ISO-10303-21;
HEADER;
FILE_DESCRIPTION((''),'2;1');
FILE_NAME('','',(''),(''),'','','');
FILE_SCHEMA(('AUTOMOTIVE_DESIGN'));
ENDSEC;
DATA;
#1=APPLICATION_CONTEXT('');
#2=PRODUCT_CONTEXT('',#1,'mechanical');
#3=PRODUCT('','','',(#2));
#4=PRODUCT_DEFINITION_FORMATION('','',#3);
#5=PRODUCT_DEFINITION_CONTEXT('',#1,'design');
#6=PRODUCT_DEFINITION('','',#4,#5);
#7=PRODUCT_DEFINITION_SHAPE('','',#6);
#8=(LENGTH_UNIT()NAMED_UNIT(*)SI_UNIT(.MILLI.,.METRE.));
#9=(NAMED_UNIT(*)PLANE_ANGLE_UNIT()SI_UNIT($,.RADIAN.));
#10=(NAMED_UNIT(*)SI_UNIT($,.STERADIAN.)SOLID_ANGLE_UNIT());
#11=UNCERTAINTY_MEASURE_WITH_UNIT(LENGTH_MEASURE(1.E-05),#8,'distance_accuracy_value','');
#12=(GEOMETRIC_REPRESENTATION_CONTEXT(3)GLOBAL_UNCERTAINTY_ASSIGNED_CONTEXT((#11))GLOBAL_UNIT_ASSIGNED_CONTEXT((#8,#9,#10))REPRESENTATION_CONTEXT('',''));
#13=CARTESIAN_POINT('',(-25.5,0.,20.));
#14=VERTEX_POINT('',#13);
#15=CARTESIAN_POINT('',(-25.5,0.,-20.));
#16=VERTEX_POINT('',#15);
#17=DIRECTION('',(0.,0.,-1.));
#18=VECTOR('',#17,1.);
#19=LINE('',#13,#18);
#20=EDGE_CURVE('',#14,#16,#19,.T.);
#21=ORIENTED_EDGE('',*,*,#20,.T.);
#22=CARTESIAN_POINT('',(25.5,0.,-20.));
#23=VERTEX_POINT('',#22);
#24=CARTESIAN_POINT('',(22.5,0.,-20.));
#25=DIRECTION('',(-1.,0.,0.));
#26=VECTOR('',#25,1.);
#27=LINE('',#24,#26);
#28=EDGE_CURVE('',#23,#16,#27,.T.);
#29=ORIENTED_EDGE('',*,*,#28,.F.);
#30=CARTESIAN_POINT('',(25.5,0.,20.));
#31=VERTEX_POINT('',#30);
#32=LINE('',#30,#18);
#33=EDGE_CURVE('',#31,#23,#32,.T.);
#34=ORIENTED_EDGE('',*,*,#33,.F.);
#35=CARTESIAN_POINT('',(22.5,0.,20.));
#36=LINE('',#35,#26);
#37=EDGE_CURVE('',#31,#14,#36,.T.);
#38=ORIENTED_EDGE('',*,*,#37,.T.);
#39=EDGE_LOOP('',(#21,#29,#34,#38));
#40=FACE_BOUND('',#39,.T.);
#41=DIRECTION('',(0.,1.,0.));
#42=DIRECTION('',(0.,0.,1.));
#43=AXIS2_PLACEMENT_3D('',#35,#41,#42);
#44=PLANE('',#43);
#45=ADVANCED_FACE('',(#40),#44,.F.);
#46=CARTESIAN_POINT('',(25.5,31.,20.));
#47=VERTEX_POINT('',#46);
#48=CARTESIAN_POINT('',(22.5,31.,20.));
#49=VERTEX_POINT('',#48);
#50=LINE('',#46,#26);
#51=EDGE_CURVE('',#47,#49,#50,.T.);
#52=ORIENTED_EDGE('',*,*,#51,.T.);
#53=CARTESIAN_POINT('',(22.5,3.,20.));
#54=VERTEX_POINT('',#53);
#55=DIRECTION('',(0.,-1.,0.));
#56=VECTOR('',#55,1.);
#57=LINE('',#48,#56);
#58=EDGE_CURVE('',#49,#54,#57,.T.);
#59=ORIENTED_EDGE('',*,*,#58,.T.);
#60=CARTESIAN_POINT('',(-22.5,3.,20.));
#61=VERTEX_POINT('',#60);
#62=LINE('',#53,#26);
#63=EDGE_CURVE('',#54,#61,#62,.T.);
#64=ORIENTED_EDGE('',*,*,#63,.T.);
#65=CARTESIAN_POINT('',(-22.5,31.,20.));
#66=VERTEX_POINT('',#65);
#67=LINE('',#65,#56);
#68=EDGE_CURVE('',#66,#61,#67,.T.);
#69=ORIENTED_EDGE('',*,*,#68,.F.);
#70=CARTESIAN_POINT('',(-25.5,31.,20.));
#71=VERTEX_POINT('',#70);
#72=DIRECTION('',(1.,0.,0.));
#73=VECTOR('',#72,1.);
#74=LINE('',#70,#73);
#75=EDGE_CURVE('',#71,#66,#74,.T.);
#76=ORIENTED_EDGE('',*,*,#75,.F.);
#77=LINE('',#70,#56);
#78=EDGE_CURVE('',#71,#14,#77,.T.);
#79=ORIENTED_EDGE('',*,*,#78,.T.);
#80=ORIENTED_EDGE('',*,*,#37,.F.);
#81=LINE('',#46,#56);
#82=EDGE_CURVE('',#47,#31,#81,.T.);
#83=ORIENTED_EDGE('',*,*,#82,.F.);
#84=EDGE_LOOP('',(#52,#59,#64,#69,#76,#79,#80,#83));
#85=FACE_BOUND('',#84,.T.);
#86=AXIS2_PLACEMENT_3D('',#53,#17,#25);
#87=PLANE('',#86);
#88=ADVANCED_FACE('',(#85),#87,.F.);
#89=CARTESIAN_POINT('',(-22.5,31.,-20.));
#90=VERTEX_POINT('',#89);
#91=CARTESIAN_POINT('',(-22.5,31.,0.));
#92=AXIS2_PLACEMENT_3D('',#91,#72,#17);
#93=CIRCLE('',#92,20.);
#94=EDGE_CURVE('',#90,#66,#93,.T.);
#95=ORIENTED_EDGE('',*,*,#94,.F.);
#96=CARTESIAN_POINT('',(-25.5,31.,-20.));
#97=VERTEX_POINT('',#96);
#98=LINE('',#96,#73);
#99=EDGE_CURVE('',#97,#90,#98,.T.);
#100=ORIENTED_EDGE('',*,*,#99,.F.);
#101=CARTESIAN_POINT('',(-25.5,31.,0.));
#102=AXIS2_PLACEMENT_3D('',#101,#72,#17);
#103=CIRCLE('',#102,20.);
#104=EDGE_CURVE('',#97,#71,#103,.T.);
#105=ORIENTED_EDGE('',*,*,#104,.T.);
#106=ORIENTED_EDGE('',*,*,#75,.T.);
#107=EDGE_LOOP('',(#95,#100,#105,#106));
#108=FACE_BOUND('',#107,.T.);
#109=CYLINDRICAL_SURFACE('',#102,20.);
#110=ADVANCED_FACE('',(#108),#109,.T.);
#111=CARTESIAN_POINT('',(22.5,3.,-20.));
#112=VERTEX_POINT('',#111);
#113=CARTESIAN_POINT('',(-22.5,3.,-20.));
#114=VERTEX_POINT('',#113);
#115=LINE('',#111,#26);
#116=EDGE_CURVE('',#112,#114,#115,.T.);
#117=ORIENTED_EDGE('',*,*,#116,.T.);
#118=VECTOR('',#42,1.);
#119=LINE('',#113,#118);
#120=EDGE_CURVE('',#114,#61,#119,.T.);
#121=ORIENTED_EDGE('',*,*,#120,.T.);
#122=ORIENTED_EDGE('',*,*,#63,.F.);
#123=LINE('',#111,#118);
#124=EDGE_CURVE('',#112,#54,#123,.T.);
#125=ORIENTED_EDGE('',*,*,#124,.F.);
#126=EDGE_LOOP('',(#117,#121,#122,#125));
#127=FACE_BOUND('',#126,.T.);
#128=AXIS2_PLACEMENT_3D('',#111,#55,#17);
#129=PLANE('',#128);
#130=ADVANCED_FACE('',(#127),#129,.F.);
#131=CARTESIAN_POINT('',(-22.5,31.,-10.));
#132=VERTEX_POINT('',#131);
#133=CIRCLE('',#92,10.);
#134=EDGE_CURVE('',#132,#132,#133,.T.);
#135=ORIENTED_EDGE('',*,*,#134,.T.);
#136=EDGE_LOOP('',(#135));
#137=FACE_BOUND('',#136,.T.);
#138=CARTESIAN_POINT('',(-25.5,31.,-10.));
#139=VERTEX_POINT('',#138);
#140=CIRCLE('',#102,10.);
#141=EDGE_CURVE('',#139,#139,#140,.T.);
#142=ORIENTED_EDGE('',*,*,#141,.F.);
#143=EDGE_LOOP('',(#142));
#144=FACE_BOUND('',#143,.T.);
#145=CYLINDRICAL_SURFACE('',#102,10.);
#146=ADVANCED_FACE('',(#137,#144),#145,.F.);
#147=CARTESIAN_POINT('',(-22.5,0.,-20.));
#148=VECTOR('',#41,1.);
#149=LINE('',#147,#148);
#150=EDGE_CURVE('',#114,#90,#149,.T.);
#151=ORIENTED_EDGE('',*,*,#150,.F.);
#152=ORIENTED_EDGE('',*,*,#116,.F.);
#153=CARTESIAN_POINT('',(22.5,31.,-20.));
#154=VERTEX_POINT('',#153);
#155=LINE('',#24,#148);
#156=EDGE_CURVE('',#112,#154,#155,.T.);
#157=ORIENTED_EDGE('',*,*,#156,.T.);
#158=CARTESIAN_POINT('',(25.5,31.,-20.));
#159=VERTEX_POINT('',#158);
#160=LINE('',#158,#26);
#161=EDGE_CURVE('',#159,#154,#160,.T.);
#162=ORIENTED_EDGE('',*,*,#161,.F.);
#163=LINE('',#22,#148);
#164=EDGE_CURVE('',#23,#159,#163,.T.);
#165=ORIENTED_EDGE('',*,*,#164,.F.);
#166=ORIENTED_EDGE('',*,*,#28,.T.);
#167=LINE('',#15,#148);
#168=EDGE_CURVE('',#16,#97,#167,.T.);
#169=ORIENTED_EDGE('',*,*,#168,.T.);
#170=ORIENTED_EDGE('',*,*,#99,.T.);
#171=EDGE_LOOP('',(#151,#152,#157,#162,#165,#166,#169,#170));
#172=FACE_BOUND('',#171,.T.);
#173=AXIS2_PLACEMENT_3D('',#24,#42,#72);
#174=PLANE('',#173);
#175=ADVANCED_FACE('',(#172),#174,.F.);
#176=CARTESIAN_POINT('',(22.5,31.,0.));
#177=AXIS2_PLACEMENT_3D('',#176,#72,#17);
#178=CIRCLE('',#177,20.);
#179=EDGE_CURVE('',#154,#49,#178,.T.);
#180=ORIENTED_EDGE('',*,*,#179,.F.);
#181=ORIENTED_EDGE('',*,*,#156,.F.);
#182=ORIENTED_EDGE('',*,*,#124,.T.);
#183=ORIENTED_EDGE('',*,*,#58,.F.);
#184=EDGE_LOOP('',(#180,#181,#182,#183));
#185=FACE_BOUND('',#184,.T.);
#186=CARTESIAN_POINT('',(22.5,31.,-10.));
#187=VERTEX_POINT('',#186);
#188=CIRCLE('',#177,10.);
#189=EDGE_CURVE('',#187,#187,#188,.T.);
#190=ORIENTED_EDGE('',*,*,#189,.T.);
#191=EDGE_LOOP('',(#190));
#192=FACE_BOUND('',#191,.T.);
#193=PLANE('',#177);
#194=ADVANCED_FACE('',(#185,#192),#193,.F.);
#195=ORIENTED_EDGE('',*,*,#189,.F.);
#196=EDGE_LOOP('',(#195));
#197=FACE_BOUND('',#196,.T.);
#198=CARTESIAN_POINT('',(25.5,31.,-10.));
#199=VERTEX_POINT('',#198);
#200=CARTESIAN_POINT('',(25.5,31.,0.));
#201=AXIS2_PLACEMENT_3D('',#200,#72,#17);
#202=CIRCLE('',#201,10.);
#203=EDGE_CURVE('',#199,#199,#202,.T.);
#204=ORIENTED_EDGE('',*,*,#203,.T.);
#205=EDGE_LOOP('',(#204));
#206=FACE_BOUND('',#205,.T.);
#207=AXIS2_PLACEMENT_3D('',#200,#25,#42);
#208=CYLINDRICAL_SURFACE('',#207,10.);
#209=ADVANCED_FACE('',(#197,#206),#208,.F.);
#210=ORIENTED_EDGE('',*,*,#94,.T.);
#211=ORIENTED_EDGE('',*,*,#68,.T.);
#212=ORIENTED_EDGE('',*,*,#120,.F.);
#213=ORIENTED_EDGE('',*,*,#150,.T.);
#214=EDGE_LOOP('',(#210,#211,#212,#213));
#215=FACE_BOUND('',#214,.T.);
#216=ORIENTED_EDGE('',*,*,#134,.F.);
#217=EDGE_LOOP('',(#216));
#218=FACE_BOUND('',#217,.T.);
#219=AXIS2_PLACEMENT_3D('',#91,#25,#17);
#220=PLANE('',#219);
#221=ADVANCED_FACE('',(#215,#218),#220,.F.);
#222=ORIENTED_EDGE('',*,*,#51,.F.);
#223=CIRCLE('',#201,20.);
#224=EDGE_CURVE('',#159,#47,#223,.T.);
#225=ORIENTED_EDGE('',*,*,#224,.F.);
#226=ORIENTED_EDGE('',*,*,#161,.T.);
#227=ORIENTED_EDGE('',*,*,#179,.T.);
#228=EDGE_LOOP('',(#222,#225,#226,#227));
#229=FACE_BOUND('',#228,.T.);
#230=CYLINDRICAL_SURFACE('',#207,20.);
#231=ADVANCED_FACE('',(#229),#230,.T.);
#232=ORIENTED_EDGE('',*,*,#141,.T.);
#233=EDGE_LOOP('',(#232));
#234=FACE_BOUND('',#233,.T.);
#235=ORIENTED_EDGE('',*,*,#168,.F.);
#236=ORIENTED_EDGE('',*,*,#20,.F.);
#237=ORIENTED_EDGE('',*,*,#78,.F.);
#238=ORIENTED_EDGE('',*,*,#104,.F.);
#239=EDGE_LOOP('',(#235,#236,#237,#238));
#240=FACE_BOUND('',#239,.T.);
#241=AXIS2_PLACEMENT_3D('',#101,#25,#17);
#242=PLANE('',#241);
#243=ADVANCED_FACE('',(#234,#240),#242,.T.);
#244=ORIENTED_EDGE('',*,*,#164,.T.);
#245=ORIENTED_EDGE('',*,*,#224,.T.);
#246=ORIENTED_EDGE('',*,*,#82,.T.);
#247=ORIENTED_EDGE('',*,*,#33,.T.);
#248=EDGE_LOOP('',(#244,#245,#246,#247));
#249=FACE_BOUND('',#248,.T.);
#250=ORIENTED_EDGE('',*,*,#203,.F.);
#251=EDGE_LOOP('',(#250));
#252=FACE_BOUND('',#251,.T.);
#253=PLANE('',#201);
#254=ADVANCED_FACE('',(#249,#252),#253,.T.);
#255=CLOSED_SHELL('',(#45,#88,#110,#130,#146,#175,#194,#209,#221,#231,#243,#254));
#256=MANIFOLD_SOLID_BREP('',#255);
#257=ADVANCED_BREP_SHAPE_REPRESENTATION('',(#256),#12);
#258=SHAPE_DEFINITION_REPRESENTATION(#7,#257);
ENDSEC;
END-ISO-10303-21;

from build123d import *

# Parameters (mm, degrees)
SKETCH_1_W      = 40
SKETCH_1_H      = 3
EXTRUDE_1_DEPTH = 22.5
SKETCH_2_R      = 10
EXTRUDE_2_DEPTH = 3


with BuildPart() as part:
    # 스케치1 → 보스-돌출1 (new, symmetric)
    with BuildSketch(Plane(origin=(0, 0, 0), x_dir=(0, 0, -1), z_dir=(1, 0, 0))):
        with Locations((0, 1.5)):
            Rectangle(SKETCH_1_W, SKETCH_1_H)
    extrude(amount=EXTRUDE_1_DEPTH, both=True)

    # 스케치2 → 보스-돌출2 (add)
    with BuildSketch(Plane(origin=(22.5, 0, 0), x_dir=(0, 0, -1), z_dir=(1, 0, 0))):
        with BuildLine():
            Line((-20, 31), (-20, 0))
            Line((-20, 0), (20, 0))
            Line((20, 0), (20, 31))
            ThreePointArc((20, 31), (0, 51), (-20, 31))
        make_face()
        with Locations((0, 31)):
            Circle(SKETCH_2_R, mode=Mode.SUBTRACT)
    extrude_2 = extrude(amount=EXTRUDE_2_DEPTH)

    # 대칭 복사1: 보스-돌출2 across plane
    add(extrude_2.mirror(Plane(origin=(0, 0, 0), x_dir=(0, 0, 1), z_dir=(1, 0, 0))))


solid = part.part
